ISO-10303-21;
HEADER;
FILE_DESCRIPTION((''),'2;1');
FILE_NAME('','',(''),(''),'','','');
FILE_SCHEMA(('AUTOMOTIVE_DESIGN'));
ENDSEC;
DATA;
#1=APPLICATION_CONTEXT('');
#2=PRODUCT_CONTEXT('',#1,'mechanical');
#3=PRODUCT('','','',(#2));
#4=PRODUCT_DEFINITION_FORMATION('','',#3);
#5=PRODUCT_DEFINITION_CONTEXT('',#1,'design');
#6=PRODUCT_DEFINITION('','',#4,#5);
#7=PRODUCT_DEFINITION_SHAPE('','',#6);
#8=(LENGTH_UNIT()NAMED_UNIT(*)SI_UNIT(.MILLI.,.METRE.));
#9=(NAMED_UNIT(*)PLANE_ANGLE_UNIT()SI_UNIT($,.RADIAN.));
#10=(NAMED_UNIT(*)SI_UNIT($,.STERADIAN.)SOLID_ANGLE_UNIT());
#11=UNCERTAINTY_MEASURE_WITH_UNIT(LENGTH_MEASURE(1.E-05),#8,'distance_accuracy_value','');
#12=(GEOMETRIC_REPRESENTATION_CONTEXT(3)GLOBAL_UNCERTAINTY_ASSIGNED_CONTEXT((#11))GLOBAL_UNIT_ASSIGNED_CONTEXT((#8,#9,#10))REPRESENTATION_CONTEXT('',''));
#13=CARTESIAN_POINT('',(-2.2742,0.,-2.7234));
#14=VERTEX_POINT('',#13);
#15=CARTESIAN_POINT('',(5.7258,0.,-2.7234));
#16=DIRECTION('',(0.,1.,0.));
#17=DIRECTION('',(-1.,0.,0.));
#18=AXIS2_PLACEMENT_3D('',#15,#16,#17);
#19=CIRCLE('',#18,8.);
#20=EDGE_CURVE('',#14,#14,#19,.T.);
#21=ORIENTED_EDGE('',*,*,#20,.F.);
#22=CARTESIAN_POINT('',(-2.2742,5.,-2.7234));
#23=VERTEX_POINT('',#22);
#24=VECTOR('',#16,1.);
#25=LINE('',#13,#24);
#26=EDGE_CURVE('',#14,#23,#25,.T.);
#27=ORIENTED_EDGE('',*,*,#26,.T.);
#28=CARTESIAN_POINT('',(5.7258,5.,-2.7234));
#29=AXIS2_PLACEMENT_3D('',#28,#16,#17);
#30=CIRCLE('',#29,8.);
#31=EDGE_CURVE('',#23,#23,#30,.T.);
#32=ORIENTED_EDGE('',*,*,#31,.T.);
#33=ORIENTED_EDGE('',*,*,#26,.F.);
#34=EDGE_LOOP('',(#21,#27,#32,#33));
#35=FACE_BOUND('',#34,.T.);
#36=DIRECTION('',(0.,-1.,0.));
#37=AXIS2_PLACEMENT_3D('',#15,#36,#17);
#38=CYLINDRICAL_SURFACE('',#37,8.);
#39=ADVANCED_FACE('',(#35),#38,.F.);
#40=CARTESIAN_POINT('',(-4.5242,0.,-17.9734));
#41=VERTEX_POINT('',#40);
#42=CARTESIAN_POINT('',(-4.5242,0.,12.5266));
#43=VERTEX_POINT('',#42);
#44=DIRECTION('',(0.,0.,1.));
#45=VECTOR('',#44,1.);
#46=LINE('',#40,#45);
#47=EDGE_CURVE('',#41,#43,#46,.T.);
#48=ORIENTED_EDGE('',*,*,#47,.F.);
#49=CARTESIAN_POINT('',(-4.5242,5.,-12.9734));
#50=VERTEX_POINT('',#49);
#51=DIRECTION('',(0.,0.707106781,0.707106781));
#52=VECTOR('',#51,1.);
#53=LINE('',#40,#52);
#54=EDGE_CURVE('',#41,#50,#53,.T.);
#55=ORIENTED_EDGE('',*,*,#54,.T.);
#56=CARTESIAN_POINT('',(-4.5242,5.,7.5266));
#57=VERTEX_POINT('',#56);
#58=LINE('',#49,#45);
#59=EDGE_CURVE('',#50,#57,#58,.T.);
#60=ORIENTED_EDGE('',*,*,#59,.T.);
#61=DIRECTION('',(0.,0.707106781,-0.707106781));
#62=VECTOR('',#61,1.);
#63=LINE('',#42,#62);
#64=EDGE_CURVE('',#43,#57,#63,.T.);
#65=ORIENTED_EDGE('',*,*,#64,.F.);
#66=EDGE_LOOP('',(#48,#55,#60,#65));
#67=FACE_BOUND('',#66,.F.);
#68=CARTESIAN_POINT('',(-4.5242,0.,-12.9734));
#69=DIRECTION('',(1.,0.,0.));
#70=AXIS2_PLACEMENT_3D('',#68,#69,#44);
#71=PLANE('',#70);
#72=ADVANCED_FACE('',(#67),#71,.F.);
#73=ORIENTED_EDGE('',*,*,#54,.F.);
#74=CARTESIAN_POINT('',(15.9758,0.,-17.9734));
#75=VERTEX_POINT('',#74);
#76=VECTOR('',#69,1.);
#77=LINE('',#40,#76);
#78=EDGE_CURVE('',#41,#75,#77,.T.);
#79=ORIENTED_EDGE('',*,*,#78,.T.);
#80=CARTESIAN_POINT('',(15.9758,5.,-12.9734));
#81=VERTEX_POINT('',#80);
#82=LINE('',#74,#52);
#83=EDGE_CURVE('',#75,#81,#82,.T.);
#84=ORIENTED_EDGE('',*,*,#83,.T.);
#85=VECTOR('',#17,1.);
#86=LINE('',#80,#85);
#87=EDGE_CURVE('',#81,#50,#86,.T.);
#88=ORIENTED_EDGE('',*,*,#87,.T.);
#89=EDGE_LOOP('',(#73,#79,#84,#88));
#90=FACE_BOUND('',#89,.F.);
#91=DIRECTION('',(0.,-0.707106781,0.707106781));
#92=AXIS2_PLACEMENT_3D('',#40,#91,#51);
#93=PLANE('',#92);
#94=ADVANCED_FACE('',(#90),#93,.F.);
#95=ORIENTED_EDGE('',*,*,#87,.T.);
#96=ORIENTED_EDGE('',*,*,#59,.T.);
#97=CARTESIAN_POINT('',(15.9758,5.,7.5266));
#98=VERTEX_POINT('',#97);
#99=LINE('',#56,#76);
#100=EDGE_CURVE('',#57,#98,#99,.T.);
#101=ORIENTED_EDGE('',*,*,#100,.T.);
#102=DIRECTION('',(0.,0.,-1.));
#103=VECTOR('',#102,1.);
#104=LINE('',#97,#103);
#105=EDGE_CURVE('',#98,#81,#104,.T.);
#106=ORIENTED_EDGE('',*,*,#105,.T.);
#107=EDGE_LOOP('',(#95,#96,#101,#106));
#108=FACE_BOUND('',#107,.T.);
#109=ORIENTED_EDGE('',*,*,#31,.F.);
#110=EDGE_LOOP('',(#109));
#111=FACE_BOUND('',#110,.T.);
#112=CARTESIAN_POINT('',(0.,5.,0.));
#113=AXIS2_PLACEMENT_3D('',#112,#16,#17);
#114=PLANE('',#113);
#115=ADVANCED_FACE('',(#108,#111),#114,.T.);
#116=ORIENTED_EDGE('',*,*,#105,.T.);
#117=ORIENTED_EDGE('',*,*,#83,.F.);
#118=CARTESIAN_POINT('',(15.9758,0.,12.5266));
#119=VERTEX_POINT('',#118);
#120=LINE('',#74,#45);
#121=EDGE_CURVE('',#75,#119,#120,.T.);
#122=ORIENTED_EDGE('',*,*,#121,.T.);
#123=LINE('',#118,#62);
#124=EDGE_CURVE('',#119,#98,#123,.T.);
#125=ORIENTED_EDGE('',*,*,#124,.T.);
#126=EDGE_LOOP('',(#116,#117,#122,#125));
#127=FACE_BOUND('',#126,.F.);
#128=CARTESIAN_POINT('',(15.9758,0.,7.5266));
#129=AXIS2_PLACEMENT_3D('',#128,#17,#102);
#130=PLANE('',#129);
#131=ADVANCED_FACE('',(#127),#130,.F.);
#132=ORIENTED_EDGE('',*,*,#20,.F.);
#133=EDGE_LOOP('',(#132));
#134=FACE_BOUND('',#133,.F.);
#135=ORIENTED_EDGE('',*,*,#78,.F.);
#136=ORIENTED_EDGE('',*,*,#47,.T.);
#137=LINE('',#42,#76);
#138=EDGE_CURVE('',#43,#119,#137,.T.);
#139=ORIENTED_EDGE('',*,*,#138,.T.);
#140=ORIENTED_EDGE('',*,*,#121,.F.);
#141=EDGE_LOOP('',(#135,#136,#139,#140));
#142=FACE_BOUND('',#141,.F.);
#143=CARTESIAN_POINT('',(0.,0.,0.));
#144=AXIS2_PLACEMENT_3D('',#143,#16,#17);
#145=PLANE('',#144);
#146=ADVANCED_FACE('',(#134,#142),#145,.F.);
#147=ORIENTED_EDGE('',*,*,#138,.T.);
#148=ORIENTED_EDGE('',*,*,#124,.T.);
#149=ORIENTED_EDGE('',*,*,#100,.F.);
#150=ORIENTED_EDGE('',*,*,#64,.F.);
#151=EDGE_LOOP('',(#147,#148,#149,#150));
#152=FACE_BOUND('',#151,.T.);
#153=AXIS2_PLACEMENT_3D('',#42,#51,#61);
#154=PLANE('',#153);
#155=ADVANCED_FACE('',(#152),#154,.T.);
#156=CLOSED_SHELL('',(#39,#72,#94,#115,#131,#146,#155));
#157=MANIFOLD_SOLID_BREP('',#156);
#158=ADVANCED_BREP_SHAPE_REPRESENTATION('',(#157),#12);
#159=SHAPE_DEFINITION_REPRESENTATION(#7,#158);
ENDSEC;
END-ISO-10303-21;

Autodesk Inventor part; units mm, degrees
ref_plane "YZ Plane" through (0, 0, 0) normal (1, 0, 0) x (0, 1, 0)
ref_plane "XZ Plane" through (0, 0, 0) normal (0, 1, 0) x (-1, 0, 0)
ref_plane "XY Plane" through (0, 0, 0) normal (0, 0, 1) x (1, 0, 0)
sketch "Sketch1" plane through (0, 0, 0) normal (0, 1, 0) x (-1, 0, 0)
  line L0 (4.5242, 7.5266) -> (-15.9758, 7.5266)
  line L1 (-15.9758, 7.5266) -> (-15.9758, -12.9734)
  line L2 (-15.9758, -12.9734) -> (4.5242, -12.9734)
  line L3 (4.5242, -12.9734) -> (4.5242, 7.5266)
  circle A0 centre (-5.7258, -2.7234) radius 8
  point P0 (0, 0)
  dimension "d0" = 20.5
  dimension "d1" = 20.5
  dimension "d2" = 16
extrude "Extrusion1" add sketch "Sketch1" along normal blind 5
sketch "Sketch2" plane through (-4.5242, 0, -12.9734) normal (-1, 0, 0) x (0, 0, 1)
  line L0 (20.5, 0) -> (25.5, 0)
  line L1 (20.5, 0) -> (20.5, 5) projected
  line L2 (25.5, 0) -> (20.5, 5)
  line L3 (0, 0) -> (-5, 0)
  line L4 (-5, 0) -> (0, 5)
  line L5 (0, 0) -> (0, 5) projected
  line L6 (0, 5) -> (0, 0)
  point P0 (12.9734, 0)
  dimension "d6" = 5
  dimension "d7" = 5
extrude "Extrusion2" add sketch "Sketch2" against normal up to surface (20.5 mm away)
properties part number "bearing_bed"
